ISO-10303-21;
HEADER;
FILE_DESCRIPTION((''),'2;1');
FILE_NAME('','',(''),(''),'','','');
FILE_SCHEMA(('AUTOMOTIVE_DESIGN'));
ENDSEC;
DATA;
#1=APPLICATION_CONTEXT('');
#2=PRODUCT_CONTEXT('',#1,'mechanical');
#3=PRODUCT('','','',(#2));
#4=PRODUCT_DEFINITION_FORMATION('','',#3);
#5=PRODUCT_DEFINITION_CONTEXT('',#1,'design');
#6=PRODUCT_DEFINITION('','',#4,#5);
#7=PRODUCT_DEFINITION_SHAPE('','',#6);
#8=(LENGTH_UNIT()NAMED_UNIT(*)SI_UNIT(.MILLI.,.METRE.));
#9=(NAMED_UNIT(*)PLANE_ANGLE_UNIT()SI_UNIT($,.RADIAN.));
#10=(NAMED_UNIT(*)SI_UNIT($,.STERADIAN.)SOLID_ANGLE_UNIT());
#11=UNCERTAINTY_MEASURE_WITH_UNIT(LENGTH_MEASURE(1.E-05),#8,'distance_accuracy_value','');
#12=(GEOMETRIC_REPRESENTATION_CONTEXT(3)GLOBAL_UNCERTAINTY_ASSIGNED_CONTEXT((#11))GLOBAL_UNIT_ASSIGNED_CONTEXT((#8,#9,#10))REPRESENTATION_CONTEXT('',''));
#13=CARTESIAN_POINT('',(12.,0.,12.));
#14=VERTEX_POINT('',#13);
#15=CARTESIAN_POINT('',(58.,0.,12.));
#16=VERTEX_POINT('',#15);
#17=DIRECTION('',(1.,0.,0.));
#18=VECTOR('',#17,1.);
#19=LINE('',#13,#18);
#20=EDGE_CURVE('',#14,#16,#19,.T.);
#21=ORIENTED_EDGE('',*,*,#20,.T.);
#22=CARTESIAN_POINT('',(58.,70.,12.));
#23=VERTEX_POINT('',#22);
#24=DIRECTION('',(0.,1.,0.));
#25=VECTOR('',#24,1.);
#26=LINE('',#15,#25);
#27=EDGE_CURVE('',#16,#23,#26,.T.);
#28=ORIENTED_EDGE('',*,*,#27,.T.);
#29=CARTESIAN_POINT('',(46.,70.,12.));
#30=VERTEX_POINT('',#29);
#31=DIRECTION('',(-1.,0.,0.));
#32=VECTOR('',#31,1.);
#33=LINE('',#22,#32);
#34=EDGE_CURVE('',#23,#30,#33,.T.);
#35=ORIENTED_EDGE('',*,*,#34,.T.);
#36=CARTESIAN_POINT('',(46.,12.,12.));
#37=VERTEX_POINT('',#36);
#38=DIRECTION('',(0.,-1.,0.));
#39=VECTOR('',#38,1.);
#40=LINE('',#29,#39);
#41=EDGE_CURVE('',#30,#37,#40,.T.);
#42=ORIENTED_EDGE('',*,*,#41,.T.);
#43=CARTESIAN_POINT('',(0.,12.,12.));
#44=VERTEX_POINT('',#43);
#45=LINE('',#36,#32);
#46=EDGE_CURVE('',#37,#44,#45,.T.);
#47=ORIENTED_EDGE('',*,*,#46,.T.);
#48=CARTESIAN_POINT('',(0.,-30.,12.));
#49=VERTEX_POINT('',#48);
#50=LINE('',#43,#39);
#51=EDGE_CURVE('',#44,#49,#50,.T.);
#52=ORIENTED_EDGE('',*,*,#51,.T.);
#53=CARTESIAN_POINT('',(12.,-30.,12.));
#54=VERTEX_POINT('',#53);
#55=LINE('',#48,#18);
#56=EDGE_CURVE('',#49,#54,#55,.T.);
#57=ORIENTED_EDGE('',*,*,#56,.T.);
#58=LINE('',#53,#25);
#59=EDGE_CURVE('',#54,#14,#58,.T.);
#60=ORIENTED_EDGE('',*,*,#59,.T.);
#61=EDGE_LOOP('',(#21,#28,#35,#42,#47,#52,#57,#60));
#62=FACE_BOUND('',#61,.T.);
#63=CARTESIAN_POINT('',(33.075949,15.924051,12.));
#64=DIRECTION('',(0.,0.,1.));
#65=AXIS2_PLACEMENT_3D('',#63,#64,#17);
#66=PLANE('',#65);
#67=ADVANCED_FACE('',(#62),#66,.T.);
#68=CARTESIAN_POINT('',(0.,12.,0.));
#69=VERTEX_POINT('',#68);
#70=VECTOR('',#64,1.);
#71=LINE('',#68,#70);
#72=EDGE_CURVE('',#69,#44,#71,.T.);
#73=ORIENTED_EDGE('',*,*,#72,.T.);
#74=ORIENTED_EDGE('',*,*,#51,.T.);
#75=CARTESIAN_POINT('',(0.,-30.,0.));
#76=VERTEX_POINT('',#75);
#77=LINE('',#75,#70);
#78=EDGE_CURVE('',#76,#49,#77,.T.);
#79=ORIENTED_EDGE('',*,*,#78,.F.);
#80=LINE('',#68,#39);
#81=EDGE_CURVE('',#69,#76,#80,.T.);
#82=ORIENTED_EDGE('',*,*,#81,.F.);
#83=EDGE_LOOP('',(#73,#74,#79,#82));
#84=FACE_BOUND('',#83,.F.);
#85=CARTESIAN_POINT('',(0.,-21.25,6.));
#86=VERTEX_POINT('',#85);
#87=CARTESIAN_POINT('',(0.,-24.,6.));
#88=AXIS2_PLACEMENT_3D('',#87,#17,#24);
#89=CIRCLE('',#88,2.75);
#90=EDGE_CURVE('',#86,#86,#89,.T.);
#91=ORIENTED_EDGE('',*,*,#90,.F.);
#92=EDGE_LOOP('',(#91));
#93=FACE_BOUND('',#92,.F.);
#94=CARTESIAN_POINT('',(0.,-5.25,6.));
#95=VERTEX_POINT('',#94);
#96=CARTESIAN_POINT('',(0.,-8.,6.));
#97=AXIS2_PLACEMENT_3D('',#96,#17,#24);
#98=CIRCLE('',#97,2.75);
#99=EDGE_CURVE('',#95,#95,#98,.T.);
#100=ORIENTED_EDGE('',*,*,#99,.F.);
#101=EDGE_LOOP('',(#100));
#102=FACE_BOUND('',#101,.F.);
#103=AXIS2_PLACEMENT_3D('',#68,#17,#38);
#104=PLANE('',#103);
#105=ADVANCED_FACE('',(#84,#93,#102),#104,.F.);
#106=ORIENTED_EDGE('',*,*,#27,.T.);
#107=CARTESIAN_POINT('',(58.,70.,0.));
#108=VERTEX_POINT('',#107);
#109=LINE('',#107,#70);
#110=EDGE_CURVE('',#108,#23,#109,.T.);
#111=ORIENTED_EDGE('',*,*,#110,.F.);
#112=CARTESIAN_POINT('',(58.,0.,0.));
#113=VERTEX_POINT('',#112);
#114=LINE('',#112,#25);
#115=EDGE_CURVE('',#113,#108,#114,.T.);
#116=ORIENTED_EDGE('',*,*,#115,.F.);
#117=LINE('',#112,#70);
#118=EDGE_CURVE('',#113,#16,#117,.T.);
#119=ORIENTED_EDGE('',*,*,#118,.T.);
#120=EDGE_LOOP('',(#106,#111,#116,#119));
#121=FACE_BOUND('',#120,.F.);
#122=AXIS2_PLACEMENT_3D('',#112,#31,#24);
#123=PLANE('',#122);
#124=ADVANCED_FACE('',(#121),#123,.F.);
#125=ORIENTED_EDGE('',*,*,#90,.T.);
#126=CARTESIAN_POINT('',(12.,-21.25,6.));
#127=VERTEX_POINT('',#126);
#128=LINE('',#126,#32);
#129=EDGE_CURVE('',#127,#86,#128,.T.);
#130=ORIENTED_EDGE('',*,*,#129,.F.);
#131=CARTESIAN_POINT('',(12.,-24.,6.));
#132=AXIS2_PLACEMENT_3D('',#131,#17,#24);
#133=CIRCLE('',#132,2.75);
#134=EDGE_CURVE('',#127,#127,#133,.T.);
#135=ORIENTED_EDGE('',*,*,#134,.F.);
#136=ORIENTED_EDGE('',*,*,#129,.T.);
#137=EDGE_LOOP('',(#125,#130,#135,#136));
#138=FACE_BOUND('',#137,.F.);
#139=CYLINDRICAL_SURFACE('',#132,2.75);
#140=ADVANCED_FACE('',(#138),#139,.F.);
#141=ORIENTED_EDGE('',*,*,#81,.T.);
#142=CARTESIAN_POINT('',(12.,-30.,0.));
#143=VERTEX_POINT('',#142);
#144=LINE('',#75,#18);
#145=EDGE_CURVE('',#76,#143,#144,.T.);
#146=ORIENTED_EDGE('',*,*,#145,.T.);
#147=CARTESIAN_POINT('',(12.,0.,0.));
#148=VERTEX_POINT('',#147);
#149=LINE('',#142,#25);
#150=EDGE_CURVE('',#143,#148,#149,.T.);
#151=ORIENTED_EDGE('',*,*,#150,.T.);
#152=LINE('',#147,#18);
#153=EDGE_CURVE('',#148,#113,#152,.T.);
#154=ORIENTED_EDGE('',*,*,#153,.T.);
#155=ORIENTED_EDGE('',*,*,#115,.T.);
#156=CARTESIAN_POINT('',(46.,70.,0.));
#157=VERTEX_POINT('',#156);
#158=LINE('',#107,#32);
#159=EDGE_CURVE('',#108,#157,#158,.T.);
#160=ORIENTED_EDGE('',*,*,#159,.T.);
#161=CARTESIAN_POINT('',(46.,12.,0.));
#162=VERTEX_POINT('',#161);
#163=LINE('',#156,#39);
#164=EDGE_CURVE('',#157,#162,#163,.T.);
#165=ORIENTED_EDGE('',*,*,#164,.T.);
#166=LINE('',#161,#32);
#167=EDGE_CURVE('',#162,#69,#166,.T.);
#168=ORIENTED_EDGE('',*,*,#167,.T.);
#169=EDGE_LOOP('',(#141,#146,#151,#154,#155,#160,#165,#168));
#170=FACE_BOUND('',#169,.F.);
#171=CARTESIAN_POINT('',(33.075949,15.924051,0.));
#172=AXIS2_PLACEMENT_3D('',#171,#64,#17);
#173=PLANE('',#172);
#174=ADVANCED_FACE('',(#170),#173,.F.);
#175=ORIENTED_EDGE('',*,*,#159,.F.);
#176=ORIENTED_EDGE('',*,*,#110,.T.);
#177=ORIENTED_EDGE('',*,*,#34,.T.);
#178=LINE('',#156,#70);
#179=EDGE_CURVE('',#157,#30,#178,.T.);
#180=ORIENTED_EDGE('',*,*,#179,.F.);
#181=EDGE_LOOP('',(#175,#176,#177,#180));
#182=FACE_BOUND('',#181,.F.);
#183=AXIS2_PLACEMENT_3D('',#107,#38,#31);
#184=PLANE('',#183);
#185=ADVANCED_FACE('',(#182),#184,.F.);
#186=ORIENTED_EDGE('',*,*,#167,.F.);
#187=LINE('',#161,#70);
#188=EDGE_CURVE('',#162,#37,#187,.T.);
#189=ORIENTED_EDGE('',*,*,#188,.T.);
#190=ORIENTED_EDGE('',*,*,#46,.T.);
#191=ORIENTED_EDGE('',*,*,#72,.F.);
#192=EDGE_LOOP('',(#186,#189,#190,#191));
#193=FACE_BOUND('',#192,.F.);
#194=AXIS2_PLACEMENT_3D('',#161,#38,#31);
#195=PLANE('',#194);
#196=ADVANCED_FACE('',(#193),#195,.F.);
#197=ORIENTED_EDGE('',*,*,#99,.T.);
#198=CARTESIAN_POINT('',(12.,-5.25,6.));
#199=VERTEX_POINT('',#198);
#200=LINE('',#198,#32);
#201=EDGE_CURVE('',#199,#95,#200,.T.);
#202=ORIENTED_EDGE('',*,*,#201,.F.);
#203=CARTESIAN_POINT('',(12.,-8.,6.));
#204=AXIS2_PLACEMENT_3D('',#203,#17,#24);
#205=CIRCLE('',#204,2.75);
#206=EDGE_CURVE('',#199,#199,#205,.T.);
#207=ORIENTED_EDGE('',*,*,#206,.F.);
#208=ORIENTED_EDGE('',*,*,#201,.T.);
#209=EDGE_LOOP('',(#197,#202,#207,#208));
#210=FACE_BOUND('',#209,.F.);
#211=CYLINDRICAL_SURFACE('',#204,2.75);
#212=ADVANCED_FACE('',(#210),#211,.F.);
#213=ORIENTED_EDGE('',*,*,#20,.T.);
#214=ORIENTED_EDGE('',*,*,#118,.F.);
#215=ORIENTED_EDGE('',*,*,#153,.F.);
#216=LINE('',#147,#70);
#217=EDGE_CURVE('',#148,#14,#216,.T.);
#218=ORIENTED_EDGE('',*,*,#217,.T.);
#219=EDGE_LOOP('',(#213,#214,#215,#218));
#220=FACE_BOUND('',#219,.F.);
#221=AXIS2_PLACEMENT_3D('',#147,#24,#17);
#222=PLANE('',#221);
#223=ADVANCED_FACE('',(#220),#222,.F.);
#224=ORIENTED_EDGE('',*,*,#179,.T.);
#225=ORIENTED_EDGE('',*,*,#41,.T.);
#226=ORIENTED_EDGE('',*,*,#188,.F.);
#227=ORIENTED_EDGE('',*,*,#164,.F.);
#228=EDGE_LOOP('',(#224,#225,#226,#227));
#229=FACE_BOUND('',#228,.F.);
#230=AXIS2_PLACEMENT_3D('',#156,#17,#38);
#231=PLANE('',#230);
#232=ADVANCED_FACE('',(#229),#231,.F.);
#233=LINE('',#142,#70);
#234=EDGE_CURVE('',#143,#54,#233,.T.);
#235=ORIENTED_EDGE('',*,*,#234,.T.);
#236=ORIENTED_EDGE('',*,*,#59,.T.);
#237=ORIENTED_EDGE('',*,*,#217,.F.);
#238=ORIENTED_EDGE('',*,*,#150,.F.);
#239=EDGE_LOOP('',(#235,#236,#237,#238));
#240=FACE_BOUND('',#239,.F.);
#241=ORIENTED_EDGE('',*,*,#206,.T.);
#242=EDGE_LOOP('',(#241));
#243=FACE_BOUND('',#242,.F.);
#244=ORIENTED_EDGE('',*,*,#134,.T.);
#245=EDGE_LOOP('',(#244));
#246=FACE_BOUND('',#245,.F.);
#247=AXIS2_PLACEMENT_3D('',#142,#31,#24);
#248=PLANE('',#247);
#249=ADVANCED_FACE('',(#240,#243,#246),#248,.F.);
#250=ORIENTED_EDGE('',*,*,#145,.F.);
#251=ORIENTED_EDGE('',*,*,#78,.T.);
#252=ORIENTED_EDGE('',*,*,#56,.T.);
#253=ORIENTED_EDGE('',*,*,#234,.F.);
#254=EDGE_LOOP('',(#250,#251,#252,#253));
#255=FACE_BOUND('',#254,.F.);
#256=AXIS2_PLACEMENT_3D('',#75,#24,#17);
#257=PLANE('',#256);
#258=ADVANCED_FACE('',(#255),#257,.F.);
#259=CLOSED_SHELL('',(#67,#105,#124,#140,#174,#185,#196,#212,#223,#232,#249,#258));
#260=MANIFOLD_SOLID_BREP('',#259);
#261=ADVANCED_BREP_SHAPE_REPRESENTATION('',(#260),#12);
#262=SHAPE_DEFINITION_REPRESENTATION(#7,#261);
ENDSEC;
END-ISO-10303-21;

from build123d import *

# Parameters (mm, degrees)
F1_DEPTH = 12
F2_R     = 2.75
F3_DEPTH = 12.001


with BuildPart() as f1:
    # F0 (on Top) → F1 (new body)
    with BuildSketch(Plane.XY):
        Polygon((0, 12), (0, 0), (0, -30), (12, -30), (12, 0), (58, 0), (58, 70), (46, 70), (46, 12), align=None)
    extrude(amount=F1_DEPTH)

    # F2 (on face) → F3 (cut, through all)
    with BuildSketch(Plane.YZ.offset(12)):
        with Locations((-24, 6)):
            Circle(F2_R)
        with Locations((-8, 6)):
            Circle(F2_R)
    extrude(amount=-F3_DEPTH, mode=Mode.SUBTRACT)


solid = f1.part
